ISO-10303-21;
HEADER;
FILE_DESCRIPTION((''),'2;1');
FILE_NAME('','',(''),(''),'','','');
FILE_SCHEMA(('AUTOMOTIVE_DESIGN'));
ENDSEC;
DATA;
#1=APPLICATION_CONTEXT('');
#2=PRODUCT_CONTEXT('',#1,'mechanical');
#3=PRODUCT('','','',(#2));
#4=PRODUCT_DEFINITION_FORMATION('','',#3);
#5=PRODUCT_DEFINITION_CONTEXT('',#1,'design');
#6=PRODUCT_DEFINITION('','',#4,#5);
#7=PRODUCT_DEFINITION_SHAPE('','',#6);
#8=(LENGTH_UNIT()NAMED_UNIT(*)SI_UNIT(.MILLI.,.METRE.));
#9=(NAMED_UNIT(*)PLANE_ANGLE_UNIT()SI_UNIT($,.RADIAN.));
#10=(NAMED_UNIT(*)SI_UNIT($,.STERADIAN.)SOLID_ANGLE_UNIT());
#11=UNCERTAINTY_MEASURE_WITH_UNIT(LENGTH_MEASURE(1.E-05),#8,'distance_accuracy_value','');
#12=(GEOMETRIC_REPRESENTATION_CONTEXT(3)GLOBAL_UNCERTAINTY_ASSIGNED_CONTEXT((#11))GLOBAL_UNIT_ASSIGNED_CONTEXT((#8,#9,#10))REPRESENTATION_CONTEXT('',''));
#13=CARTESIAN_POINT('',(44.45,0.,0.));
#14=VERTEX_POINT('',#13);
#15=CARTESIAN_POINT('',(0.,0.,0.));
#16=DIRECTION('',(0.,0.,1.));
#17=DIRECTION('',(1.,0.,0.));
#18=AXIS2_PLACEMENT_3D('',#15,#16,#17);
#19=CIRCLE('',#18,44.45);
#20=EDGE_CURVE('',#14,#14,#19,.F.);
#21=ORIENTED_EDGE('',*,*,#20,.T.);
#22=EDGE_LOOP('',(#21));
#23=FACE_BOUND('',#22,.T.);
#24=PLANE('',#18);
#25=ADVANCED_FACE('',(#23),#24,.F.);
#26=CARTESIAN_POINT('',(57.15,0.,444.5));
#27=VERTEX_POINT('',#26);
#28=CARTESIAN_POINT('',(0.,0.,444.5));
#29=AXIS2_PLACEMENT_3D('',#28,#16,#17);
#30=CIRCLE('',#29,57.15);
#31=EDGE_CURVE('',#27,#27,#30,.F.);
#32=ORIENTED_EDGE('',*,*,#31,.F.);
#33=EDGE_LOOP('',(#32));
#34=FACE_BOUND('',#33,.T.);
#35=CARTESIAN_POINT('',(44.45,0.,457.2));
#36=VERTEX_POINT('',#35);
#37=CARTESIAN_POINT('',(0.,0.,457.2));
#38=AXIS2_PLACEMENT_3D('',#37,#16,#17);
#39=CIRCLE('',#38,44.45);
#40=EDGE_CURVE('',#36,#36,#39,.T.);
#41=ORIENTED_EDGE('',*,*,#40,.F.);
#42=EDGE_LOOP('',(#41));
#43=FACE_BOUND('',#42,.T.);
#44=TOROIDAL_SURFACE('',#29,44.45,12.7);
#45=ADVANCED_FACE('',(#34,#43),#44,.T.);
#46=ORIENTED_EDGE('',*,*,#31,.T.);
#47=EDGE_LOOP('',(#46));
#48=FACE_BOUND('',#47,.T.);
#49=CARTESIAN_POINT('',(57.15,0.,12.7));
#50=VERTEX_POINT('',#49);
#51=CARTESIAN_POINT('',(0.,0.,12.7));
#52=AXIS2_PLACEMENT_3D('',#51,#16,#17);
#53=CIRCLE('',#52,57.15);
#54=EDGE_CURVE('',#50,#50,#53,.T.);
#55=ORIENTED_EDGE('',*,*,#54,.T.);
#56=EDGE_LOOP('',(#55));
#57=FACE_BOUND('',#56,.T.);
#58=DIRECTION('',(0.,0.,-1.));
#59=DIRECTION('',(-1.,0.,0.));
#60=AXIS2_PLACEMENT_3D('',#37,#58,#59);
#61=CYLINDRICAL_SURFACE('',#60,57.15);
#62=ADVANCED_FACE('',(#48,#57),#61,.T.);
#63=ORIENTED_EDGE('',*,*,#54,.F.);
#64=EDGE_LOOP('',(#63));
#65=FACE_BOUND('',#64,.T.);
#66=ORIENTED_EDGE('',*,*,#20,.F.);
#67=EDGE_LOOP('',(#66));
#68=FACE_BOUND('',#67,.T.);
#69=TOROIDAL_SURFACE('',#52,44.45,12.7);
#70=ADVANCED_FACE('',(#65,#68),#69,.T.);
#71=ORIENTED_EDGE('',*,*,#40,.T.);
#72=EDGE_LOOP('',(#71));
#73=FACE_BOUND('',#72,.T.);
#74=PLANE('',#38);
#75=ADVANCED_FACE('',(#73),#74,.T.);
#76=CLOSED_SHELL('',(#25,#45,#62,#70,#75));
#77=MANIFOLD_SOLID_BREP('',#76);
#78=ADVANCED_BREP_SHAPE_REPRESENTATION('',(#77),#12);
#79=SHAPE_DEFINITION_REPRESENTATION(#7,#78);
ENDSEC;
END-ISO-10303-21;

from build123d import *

# Parameters (mm, degrees)
ESQUISSE1_R        = 57.15
BOSS_EXTRU_1_DEPTH = 457.2
CONG_1_R           = 12.7


with BuildPart() as part:
    # Esquisse1 → Boss.-Extru.1 (new body)
    with BuildSketch(Plane.XY):
        Circle(ESQUISSE1_R)
    extrude(amount=BOSS_EXTRU_1_DEPTH)

    # Congé1
    cong_1_edges = [part.edges().sort_by_distance(p)[0] for p in [
        (-57.15, 0, 0),
        (-57.15, 0, 457.2),
    ]]
    fillet(cong_1_edges, radius=CONG_1_R)


solid = part.part
